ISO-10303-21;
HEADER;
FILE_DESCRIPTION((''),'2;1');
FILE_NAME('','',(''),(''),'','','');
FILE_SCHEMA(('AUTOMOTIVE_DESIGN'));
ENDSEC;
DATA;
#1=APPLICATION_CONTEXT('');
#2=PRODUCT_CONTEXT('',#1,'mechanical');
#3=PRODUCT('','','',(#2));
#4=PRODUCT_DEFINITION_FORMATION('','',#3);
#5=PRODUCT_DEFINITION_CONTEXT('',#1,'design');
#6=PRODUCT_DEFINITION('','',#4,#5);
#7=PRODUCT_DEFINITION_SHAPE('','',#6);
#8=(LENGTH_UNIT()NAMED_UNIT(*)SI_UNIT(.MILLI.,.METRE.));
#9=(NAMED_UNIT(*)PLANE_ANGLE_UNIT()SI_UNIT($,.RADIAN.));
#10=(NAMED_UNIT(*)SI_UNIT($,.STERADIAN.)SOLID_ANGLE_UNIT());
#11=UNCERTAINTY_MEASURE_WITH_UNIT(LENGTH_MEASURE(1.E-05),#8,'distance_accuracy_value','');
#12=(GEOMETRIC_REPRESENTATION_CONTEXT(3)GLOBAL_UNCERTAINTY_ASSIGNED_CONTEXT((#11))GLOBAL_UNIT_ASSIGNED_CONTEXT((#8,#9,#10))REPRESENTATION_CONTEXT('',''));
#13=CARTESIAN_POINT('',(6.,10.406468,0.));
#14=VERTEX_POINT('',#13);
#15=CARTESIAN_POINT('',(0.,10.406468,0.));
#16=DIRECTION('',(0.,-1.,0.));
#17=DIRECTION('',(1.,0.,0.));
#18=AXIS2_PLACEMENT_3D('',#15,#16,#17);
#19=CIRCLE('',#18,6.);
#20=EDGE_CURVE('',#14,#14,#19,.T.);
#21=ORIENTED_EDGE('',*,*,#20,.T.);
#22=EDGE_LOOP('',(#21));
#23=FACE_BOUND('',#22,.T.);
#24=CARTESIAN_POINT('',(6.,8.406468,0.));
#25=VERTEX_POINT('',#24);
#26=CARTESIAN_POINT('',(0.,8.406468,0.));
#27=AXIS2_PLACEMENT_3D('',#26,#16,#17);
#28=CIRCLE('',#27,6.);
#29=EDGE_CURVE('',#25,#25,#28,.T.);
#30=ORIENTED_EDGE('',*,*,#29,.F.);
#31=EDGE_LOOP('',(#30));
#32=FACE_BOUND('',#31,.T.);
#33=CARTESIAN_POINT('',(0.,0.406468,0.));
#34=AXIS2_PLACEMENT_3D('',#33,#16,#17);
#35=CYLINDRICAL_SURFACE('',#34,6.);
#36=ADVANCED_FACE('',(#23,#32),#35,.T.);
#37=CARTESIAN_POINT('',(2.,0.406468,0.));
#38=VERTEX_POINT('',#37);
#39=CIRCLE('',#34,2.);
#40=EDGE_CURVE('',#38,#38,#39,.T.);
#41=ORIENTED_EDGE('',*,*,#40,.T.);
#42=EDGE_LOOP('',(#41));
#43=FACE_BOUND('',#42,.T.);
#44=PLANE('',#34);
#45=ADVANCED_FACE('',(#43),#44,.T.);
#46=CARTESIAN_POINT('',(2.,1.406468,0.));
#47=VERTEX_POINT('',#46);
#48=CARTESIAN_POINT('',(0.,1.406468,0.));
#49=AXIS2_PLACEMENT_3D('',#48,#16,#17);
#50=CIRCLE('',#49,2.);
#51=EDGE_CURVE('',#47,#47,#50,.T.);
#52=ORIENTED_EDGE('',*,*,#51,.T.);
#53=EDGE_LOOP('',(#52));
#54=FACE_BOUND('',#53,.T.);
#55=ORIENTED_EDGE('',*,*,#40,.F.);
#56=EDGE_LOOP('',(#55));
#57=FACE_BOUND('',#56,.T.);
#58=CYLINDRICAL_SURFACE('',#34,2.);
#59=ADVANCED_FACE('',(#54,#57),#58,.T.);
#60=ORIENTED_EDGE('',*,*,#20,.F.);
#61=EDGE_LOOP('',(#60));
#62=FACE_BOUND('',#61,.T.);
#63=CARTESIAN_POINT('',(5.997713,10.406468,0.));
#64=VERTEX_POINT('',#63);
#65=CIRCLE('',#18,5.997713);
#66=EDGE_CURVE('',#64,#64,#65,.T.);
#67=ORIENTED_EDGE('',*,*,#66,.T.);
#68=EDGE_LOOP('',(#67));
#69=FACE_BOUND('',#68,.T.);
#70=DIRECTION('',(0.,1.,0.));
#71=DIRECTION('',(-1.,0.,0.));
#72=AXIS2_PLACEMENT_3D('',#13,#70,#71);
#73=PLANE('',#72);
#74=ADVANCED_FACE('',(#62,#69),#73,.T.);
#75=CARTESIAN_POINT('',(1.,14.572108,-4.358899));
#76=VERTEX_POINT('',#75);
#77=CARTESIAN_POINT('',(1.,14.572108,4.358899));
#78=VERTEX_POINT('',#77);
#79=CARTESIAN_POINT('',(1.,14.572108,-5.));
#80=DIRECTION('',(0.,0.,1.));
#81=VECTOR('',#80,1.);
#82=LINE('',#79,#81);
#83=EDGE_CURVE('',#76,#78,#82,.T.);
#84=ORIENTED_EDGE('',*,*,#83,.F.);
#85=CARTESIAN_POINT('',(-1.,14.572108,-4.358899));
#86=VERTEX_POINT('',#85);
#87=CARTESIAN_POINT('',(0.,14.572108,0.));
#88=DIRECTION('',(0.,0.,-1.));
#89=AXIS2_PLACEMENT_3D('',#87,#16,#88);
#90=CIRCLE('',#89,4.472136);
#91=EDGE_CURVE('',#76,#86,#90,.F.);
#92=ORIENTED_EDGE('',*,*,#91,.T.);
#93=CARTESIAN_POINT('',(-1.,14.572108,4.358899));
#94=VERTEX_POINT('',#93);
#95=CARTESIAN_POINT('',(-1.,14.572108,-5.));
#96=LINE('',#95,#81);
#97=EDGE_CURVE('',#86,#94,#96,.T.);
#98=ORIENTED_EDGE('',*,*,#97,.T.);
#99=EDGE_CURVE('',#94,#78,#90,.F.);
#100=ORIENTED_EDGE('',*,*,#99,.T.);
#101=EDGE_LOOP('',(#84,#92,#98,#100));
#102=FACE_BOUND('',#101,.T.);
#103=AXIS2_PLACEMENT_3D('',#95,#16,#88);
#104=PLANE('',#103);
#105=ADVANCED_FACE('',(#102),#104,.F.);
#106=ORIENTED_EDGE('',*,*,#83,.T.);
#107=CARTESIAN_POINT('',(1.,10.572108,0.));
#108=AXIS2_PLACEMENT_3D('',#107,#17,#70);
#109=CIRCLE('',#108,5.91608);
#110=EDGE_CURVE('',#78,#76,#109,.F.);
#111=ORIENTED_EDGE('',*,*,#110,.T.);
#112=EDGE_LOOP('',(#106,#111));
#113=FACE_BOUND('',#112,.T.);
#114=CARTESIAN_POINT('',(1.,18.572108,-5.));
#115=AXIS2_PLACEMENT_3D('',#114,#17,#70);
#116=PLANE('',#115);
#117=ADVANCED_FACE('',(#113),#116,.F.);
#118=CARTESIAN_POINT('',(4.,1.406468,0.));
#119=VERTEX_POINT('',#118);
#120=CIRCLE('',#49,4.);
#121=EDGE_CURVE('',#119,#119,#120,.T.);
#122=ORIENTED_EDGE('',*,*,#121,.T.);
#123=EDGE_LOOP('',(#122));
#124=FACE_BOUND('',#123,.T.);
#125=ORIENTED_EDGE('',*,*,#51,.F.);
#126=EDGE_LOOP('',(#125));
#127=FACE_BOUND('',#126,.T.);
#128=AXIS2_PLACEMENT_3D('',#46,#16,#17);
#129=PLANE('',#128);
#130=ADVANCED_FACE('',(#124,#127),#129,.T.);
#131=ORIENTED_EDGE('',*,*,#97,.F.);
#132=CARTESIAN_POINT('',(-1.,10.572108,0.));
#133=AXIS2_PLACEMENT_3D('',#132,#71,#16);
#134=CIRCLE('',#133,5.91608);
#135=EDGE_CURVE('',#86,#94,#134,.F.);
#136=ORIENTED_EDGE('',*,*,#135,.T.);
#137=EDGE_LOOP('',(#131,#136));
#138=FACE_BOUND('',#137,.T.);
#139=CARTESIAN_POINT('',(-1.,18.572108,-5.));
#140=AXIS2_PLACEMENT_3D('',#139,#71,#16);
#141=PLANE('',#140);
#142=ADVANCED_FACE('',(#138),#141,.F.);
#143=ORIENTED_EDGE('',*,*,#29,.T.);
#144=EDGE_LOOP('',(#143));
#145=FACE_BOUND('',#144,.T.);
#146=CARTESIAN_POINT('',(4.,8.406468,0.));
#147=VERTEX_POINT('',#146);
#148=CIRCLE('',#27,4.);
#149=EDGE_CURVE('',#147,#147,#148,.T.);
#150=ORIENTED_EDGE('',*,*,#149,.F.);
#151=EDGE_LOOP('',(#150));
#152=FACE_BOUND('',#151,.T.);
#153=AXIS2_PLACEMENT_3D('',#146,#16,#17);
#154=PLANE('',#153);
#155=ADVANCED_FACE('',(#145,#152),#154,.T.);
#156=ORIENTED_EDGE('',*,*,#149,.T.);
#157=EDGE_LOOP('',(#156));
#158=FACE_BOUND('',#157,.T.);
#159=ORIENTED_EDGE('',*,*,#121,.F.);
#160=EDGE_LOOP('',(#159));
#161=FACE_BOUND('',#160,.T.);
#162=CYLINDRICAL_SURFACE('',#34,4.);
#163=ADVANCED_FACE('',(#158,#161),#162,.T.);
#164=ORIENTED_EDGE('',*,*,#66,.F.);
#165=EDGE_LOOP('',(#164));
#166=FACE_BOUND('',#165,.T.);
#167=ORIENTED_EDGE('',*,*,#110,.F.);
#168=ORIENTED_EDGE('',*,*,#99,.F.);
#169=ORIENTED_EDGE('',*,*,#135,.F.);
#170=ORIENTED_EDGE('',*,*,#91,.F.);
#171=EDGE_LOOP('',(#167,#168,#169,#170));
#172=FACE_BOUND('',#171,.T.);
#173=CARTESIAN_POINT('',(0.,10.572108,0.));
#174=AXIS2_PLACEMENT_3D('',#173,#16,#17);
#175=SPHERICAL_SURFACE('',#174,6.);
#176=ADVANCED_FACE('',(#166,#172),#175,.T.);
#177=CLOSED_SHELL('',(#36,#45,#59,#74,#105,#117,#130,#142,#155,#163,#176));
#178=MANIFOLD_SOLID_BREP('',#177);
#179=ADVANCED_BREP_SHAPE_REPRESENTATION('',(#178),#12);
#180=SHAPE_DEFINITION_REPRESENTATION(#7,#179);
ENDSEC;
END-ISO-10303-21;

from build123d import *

# Parameters (mm, degrees)
SKETCH2_W          = 2
SKETCH2_H          = 4
CUT_EXTRUDE1_DEPTH = 5


with BuildPart() as part:
    # Sketch1 → Revolve1 (revolve)
    with BuildSketch(Plane.XY):
        with BuildLine():
            Line((6, 10.406467745), (5.997713172, 10.406467745))
            ThreePointArc((5.997713172, 10.406467745), (4.300804682, 14.755776187), (0, 16.572108049))
            Line((0, 16.572108049), (0, 0.406467745))
            Line((0, 0.406467745), (2, 0.406467745))
            Line((2, 0.406467745), (2, 1.406467745))
            Line((2, 1.406467745), (4, 1.406467745))
            Line((4, 1.406467745), (4, 8.406467745))
            Line((4, 8.406467745), (6, 8.406467745))
            Line((6, 8.406467745), (6, 10.406467745))
        make_face()
    revolve(axis=Axis((0, 0.406467745, 0), (0, 1, 0)))

    # Sketch2 → Cut-Extrude1 (cut, symmetric)
    with BuildSketch(Plane.XY):
        with Locations((0, 16.572108049)):
            Rectangle(SKETCH2_W, SKETCH2_H)
    extrude(amount=CUT_EXTRUDE1_DEPTH, both=True, mode=Mode.SUBTRACT)


solid = part.part
